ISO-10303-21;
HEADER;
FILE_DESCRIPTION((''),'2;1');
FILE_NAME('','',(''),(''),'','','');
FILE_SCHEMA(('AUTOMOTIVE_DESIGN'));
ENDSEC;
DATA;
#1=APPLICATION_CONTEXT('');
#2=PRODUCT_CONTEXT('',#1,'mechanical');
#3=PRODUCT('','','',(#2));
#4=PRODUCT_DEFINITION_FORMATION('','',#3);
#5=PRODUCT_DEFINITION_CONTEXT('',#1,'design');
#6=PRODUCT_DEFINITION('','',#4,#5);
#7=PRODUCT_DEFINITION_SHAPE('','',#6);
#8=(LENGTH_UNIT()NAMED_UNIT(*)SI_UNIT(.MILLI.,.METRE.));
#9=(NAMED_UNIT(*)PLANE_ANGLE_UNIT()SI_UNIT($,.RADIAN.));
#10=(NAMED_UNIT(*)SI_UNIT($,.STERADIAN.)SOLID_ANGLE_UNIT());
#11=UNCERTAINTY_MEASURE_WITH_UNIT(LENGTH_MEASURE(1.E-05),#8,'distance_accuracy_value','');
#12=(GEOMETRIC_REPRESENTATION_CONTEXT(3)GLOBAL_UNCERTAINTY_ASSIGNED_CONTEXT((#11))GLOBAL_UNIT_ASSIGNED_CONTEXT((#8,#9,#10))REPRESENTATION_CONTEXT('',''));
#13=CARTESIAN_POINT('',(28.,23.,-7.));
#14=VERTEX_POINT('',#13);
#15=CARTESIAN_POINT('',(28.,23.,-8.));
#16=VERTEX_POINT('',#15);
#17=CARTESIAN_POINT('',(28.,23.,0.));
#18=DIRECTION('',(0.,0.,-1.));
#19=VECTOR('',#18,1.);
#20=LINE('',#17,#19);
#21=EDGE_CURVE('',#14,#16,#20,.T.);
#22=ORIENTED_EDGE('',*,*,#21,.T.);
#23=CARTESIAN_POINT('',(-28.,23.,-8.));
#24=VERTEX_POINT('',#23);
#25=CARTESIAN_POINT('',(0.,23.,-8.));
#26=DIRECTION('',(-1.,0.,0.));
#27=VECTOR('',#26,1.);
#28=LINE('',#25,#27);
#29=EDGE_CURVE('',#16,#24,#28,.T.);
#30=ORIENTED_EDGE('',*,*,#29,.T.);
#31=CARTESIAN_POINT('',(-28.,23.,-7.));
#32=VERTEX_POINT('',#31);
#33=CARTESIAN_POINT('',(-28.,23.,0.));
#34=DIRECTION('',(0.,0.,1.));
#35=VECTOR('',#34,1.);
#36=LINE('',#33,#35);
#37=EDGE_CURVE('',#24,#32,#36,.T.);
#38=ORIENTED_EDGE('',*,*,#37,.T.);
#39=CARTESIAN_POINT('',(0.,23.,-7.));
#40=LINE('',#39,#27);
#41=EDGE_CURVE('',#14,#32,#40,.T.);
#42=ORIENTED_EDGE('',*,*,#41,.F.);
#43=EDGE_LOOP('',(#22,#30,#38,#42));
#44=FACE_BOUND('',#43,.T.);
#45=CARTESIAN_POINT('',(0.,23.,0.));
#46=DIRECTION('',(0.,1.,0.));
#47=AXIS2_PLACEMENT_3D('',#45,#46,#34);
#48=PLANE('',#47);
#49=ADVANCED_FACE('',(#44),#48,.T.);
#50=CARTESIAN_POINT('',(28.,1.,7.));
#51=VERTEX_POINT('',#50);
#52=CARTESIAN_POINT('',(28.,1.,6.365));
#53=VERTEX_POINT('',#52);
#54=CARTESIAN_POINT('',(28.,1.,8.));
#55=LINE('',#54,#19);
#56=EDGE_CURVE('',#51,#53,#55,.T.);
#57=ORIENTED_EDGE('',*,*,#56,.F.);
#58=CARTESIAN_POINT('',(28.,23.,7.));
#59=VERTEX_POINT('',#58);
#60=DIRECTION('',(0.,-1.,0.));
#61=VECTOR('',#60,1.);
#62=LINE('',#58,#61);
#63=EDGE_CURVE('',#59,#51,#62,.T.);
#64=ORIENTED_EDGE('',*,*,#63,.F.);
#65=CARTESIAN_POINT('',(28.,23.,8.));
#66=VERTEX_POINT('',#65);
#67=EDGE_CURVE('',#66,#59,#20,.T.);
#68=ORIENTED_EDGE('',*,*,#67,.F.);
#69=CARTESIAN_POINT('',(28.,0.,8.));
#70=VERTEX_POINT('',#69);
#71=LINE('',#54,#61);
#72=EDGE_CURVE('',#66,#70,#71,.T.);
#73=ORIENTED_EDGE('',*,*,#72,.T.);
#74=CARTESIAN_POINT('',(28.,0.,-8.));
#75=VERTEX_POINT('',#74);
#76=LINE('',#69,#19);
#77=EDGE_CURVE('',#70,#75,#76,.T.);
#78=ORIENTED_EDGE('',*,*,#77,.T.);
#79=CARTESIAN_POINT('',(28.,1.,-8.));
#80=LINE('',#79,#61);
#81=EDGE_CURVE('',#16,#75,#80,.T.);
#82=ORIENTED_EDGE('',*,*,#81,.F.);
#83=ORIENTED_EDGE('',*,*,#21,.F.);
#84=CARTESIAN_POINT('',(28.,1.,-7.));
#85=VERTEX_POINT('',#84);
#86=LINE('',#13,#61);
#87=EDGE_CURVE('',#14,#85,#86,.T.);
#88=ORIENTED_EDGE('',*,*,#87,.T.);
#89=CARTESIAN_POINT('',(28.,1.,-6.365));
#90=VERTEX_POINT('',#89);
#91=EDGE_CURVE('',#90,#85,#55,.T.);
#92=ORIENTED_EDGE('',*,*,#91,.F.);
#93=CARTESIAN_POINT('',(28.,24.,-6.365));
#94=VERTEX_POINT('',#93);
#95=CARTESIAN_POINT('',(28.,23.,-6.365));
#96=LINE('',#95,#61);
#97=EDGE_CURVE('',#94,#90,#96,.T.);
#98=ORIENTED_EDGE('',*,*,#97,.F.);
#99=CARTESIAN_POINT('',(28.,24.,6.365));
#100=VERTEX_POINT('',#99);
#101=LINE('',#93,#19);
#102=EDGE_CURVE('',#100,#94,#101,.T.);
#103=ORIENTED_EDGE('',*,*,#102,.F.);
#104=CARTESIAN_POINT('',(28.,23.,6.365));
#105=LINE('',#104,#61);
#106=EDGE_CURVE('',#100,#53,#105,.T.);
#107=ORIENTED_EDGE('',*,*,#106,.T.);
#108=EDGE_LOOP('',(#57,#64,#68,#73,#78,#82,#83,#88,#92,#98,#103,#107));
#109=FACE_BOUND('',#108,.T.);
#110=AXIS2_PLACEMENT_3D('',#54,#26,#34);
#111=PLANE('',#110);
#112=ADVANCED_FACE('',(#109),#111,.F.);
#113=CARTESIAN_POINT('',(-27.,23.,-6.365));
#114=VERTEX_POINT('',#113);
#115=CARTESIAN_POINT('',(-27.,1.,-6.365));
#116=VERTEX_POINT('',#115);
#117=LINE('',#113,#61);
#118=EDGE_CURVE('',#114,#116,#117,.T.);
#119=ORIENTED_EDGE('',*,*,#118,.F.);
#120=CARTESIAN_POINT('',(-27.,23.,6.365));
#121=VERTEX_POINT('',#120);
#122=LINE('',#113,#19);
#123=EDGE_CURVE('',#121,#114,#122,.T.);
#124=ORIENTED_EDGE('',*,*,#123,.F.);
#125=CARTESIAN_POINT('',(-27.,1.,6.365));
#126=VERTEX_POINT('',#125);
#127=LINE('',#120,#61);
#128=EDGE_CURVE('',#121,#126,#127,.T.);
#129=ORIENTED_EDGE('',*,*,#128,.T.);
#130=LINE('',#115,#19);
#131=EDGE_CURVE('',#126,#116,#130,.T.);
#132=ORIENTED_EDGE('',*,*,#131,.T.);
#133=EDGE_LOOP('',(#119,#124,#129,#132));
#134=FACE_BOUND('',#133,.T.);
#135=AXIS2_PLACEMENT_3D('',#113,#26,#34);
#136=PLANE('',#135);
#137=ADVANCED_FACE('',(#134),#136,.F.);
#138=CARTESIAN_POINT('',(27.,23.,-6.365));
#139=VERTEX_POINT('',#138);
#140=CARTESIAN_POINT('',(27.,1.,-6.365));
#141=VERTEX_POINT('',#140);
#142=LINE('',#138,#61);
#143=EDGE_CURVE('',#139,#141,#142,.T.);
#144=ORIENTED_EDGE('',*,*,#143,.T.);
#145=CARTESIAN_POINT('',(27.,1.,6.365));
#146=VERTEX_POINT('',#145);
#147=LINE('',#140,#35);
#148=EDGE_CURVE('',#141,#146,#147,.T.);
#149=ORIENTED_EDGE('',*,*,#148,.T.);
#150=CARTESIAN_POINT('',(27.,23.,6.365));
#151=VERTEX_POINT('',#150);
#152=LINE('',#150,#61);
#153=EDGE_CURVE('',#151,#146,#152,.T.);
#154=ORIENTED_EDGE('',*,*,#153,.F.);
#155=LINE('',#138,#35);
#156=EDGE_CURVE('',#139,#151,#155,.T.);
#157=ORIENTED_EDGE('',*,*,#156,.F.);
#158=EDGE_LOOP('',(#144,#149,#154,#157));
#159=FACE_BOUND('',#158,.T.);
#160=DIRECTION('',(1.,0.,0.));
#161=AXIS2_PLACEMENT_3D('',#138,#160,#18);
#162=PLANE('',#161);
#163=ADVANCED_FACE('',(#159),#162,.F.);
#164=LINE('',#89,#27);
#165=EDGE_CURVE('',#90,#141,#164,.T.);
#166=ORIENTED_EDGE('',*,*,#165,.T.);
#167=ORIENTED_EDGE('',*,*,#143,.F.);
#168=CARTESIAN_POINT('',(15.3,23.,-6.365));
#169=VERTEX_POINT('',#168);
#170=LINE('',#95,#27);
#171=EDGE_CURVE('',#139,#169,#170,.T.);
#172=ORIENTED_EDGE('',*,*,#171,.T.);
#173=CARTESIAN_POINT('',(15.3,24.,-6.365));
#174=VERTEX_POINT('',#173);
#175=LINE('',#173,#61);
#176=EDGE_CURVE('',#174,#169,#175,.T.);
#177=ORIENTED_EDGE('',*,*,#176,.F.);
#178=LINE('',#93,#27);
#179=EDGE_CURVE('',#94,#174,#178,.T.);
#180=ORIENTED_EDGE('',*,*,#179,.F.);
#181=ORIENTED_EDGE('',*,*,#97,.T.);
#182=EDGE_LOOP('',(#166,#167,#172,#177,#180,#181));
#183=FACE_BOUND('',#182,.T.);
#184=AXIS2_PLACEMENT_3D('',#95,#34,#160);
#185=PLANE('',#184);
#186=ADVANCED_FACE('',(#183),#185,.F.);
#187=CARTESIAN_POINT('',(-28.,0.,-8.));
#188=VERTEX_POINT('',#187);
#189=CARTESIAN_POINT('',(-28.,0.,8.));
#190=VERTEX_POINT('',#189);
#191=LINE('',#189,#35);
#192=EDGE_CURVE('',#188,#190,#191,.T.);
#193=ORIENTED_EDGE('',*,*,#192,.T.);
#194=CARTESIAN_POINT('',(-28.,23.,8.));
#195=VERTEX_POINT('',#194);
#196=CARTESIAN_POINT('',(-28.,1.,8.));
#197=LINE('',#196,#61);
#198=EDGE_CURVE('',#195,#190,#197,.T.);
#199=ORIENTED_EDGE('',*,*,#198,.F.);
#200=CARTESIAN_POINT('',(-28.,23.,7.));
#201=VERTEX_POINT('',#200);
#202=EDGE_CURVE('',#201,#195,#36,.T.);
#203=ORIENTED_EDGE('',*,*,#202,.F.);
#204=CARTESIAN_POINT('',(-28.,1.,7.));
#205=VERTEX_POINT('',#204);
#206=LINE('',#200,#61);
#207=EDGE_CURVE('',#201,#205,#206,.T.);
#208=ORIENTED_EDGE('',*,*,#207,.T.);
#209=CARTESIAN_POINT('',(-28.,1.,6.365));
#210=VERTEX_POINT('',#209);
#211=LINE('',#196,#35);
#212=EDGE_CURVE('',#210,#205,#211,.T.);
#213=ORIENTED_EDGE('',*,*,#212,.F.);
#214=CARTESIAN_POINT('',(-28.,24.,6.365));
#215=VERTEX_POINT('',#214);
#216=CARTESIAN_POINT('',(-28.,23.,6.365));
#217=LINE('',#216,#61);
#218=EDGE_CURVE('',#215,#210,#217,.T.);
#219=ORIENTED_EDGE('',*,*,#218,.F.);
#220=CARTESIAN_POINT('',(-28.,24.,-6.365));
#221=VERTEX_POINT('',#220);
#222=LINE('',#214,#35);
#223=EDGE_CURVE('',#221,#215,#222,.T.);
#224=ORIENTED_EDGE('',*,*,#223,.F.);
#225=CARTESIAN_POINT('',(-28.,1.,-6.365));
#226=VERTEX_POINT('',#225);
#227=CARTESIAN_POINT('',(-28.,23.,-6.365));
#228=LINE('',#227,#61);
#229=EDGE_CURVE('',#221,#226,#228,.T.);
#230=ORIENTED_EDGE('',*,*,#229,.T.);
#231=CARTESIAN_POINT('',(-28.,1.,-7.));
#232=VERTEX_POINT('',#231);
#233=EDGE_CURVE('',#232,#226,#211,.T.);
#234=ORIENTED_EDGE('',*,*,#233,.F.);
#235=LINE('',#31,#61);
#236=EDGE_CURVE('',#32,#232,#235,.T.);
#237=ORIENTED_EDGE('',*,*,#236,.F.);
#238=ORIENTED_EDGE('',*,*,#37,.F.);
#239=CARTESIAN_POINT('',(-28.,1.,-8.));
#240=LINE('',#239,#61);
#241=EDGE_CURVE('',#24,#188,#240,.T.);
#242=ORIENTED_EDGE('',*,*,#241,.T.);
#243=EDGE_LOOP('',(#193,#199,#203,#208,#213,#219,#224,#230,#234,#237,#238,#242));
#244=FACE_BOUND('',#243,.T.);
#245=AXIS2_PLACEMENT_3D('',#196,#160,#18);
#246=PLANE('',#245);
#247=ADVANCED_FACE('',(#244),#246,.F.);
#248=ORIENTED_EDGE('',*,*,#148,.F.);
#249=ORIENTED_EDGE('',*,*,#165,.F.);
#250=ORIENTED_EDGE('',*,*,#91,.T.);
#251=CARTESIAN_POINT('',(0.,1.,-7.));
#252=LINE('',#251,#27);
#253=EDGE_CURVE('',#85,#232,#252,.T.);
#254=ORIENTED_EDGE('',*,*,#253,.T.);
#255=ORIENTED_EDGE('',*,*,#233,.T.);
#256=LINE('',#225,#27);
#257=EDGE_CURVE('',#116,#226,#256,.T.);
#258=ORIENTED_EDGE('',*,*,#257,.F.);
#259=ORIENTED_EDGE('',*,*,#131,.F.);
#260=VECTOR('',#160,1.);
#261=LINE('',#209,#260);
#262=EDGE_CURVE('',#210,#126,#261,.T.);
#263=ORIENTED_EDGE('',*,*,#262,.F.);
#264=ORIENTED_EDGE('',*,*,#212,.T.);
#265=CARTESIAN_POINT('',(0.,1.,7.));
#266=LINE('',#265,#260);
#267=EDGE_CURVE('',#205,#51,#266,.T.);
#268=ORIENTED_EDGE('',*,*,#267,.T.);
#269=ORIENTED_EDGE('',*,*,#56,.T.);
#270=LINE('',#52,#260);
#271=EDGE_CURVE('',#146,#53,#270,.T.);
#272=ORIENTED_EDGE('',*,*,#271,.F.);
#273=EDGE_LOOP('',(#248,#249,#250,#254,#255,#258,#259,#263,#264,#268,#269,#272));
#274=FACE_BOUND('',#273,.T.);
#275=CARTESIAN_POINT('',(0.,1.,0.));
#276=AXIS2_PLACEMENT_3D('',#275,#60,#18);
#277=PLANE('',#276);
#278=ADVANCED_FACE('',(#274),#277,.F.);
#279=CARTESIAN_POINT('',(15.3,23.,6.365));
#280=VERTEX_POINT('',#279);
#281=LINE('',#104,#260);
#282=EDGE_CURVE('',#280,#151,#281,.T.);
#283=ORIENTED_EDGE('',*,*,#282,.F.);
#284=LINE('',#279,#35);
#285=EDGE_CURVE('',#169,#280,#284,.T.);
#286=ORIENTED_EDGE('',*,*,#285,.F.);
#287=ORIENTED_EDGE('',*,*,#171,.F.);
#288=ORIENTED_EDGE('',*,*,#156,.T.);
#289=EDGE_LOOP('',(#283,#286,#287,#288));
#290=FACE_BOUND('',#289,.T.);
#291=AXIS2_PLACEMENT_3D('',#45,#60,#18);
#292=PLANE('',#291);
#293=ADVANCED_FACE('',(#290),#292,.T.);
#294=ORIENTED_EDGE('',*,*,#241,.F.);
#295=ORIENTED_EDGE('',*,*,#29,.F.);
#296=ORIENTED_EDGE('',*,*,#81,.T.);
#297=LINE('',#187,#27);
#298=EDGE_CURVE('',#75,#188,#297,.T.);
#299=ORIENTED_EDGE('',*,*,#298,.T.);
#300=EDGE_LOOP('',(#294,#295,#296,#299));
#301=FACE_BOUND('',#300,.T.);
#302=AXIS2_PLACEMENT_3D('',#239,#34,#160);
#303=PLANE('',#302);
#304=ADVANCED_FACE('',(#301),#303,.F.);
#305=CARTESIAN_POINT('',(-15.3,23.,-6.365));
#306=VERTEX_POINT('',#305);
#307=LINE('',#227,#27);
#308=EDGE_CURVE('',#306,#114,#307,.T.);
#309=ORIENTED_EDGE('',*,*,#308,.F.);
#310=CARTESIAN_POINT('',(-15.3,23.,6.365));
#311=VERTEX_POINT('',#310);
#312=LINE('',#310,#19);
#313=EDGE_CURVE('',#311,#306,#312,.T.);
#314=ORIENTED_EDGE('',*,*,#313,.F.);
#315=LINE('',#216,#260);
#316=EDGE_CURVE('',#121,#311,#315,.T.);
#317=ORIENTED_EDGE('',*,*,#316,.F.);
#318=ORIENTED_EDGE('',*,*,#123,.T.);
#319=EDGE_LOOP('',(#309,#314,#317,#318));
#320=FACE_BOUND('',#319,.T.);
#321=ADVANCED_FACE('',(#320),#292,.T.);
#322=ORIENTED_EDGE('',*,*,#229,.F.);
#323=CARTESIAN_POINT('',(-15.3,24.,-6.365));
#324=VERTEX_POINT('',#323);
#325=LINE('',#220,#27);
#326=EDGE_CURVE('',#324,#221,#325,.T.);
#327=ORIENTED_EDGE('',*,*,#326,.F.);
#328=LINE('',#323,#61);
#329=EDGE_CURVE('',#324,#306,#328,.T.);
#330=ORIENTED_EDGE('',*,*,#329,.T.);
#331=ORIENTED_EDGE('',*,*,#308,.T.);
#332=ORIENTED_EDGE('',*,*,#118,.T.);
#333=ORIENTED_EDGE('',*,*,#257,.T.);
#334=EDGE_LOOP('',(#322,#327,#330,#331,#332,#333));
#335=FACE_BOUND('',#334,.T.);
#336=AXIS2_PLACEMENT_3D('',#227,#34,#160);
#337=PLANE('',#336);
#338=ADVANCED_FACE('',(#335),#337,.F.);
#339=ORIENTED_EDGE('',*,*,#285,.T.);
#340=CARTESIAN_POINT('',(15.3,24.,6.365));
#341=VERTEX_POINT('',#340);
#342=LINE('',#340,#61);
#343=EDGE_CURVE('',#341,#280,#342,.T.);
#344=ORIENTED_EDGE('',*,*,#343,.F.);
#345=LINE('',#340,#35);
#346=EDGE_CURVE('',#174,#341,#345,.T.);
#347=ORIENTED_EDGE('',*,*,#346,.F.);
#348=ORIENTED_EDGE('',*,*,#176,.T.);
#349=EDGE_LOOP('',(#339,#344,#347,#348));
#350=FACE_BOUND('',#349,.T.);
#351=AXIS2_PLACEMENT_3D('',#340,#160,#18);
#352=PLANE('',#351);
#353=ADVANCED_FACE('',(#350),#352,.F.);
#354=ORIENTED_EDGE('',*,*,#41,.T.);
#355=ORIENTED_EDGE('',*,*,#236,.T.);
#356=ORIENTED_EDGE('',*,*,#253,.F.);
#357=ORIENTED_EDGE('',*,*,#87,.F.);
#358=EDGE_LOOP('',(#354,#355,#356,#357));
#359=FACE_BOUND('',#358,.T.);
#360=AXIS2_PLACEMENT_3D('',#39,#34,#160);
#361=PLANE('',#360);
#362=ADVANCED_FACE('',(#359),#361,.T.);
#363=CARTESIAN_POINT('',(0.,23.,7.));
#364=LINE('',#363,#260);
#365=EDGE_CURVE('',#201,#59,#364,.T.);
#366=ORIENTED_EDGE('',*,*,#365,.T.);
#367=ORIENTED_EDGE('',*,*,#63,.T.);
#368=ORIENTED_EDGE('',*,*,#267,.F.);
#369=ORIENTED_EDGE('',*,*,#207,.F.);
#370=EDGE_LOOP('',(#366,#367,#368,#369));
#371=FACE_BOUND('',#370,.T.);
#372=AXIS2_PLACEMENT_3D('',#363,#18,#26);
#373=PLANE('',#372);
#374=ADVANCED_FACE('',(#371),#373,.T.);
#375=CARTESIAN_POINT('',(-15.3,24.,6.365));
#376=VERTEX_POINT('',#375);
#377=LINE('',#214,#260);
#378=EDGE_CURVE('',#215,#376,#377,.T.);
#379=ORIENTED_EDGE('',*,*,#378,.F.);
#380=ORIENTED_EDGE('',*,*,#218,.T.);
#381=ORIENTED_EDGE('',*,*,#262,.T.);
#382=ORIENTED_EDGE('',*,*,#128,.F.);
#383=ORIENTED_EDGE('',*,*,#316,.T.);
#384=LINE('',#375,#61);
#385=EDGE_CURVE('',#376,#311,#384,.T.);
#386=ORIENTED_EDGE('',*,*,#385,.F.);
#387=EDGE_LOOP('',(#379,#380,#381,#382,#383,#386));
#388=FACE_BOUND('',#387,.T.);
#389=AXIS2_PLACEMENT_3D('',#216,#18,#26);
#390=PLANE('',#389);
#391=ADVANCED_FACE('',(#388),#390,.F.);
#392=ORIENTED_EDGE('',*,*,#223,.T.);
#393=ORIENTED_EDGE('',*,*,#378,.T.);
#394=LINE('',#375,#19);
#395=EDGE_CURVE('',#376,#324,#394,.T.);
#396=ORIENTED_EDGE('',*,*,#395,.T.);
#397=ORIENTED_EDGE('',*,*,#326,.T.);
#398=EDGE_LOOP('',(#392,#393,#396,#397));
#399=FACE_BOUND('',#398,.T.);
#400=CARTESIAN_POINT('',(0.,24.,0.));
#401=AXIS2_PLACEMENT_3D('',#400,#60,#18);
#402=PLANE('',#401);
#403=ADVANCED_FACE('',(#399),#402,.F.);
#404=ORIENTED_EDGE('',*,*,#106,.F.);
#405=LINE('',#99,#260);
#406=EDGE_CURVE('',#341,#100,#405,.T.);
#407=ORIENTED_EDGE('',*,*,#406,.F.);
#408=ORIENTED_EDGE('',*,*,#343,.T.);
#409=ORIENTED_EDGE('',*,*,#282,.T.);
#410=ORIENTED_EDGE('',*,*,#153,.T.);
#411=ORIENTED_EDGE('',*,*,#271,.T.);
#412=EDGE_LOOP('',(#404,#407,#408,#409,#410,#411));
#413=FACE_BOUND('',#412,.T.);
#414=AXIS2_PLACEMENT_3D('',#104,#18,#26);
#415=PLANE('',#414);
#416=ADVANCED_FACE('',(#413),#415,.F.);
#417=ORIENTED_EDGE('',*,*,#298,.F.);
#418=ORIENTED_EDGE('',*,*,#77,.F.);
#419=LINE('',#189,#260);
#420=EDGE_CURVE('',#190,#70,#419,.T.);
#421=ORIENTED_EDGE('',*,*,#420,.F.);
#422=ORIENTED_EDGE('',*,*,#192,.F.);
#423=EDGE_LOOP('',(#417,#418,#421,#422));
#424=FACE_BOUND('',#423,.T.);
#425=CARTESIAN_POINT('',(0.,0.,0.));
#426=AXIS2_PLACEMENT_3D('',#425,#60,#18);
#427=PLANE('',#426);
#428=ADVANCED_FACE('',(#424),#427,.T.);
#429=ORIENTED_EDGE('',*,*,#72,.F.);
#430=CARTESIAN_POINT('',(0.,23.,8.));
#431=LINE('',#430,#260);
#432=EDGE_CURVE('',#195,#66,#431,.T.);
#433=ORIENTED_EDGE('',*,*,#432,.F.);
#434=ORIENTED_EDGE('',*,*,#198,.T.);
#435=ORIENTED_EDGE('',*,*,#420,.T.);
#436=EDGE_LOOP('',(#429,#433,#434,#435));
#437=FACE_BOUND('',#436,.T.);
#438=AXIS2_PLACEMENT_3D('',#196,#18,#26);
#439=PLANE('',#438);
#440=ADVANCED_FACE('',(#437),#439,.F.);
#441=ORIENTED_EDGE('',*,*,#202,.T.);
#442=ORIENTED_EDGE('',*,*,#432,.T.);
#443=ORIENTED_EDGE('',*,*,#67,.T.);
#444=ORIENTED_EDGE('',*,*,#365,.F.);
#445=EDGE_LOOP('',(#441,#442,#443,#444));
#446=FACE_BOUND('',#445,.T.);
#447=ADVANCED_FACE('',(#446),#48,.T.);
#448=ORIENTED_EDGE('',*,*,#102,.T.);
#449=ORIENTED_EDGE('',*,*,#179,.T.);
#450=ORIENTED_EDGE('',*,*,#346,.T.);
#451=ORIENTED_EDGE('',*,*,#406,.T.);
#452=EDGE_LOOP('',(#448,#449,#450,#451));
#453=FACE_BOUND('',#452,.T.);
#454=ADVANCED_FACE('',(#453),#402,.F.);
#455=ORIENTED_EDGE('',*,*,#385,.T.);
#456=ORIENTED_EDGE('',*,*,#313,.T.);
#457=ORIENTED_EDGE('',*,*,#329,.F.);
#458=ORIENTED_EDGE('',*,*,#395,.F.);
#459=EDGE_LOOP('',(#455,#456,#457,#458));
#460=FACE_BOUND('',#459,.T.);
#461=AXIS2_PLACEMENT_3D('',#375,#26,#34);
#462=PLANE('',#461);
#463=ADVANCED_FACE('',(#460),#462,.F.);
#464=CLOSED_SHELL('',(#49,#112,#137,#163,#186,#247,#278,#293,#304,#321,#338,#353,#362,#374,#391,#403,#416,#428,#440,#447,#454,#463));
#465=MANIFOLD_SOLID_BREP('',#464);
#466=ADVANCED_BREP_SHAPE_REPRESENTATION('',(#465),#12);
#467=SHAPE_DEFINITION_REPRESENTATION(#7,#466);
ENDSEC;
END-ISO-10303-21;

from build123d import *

# Parameters (mm, degrees)
SKETCH1_W           = 56
SKETCH1_H           = 16
BOSS_EXTRUDE1_DEPTH = 1
BOSS_EXTRUDE2_DEPTH = 22
SKETCH3_W           = 1
SKETCH3_H           = 12.73
BOSS_EXTRUDE3_DEPTH = 22
SKETCH4_W           = 12.7
SKETCH4_H           = 12.73
BOSS_EXTRUDE4_DEPTH = 1


with BuildPart() as part:
    # Sketch1 → Boss-Extrude1 (new body)
    with BuildSketch(Plane(origin=(0, 0, 0), x_dir=(1, 0, 0), z_dir=(0, 1, 0))):
        Rectangle(SKETCH1_W, SKETCH1_H)
    extrude(amount=BOSS_EXTRUDE1_DEPTH)

    # Sketch2 → Boss-Extrude2 (add)
    with BuildSketch(Plane(origin=(0, 1, 0), x_dir=(1, 0, 0), z_dir=(0, 1, 0))):
        Polygon((28, -7), (27, -7), (-27, -7), (-28, -7), (-28, -8), (28, -8), align=None)
        Polygon((-27, 7), (27, 7), (28, 7), (28, 8), (-28, 8), (-28, 7), align=None)
    extrude(amount=BOSS_EXTRUDE2_DEPTH)

    # Sketch3 → Boss-Extrude3 (add)
    with BuildSketch(Plane(origin=(0, 1, 0), x_dir=(1, 0, 0), z_dir=(0, 1, 0))):
        with Locations((27.5, 0)):
            Rectangle(SKETCH3_W, SKETCH3_H)
        with Locations((-27.5, 0)):
            Rectangle(SKETCH3_W, SKETCH3_H)
    extrude(amount=BOSS_EXTRUDE3_DEPTH)

    # Sketch4 → Boss-Extrude4 (add)
    with BuildSketch(Plane(origin=(0, 23, 0), x_dir=(1, 0, 0), z_dir=(0, 1, 0))):
        with Locations((-21.65, 0)):
            Rectangle(SKETCH4_W, SKETCH4_H)
        with Locations((21.65, 0)):
            Rectangle(SKETCH4_W, SKETCH4_H)
    extrude(amount=BOSS_EXTRUDE4_DEPTH)


solid = part.part
